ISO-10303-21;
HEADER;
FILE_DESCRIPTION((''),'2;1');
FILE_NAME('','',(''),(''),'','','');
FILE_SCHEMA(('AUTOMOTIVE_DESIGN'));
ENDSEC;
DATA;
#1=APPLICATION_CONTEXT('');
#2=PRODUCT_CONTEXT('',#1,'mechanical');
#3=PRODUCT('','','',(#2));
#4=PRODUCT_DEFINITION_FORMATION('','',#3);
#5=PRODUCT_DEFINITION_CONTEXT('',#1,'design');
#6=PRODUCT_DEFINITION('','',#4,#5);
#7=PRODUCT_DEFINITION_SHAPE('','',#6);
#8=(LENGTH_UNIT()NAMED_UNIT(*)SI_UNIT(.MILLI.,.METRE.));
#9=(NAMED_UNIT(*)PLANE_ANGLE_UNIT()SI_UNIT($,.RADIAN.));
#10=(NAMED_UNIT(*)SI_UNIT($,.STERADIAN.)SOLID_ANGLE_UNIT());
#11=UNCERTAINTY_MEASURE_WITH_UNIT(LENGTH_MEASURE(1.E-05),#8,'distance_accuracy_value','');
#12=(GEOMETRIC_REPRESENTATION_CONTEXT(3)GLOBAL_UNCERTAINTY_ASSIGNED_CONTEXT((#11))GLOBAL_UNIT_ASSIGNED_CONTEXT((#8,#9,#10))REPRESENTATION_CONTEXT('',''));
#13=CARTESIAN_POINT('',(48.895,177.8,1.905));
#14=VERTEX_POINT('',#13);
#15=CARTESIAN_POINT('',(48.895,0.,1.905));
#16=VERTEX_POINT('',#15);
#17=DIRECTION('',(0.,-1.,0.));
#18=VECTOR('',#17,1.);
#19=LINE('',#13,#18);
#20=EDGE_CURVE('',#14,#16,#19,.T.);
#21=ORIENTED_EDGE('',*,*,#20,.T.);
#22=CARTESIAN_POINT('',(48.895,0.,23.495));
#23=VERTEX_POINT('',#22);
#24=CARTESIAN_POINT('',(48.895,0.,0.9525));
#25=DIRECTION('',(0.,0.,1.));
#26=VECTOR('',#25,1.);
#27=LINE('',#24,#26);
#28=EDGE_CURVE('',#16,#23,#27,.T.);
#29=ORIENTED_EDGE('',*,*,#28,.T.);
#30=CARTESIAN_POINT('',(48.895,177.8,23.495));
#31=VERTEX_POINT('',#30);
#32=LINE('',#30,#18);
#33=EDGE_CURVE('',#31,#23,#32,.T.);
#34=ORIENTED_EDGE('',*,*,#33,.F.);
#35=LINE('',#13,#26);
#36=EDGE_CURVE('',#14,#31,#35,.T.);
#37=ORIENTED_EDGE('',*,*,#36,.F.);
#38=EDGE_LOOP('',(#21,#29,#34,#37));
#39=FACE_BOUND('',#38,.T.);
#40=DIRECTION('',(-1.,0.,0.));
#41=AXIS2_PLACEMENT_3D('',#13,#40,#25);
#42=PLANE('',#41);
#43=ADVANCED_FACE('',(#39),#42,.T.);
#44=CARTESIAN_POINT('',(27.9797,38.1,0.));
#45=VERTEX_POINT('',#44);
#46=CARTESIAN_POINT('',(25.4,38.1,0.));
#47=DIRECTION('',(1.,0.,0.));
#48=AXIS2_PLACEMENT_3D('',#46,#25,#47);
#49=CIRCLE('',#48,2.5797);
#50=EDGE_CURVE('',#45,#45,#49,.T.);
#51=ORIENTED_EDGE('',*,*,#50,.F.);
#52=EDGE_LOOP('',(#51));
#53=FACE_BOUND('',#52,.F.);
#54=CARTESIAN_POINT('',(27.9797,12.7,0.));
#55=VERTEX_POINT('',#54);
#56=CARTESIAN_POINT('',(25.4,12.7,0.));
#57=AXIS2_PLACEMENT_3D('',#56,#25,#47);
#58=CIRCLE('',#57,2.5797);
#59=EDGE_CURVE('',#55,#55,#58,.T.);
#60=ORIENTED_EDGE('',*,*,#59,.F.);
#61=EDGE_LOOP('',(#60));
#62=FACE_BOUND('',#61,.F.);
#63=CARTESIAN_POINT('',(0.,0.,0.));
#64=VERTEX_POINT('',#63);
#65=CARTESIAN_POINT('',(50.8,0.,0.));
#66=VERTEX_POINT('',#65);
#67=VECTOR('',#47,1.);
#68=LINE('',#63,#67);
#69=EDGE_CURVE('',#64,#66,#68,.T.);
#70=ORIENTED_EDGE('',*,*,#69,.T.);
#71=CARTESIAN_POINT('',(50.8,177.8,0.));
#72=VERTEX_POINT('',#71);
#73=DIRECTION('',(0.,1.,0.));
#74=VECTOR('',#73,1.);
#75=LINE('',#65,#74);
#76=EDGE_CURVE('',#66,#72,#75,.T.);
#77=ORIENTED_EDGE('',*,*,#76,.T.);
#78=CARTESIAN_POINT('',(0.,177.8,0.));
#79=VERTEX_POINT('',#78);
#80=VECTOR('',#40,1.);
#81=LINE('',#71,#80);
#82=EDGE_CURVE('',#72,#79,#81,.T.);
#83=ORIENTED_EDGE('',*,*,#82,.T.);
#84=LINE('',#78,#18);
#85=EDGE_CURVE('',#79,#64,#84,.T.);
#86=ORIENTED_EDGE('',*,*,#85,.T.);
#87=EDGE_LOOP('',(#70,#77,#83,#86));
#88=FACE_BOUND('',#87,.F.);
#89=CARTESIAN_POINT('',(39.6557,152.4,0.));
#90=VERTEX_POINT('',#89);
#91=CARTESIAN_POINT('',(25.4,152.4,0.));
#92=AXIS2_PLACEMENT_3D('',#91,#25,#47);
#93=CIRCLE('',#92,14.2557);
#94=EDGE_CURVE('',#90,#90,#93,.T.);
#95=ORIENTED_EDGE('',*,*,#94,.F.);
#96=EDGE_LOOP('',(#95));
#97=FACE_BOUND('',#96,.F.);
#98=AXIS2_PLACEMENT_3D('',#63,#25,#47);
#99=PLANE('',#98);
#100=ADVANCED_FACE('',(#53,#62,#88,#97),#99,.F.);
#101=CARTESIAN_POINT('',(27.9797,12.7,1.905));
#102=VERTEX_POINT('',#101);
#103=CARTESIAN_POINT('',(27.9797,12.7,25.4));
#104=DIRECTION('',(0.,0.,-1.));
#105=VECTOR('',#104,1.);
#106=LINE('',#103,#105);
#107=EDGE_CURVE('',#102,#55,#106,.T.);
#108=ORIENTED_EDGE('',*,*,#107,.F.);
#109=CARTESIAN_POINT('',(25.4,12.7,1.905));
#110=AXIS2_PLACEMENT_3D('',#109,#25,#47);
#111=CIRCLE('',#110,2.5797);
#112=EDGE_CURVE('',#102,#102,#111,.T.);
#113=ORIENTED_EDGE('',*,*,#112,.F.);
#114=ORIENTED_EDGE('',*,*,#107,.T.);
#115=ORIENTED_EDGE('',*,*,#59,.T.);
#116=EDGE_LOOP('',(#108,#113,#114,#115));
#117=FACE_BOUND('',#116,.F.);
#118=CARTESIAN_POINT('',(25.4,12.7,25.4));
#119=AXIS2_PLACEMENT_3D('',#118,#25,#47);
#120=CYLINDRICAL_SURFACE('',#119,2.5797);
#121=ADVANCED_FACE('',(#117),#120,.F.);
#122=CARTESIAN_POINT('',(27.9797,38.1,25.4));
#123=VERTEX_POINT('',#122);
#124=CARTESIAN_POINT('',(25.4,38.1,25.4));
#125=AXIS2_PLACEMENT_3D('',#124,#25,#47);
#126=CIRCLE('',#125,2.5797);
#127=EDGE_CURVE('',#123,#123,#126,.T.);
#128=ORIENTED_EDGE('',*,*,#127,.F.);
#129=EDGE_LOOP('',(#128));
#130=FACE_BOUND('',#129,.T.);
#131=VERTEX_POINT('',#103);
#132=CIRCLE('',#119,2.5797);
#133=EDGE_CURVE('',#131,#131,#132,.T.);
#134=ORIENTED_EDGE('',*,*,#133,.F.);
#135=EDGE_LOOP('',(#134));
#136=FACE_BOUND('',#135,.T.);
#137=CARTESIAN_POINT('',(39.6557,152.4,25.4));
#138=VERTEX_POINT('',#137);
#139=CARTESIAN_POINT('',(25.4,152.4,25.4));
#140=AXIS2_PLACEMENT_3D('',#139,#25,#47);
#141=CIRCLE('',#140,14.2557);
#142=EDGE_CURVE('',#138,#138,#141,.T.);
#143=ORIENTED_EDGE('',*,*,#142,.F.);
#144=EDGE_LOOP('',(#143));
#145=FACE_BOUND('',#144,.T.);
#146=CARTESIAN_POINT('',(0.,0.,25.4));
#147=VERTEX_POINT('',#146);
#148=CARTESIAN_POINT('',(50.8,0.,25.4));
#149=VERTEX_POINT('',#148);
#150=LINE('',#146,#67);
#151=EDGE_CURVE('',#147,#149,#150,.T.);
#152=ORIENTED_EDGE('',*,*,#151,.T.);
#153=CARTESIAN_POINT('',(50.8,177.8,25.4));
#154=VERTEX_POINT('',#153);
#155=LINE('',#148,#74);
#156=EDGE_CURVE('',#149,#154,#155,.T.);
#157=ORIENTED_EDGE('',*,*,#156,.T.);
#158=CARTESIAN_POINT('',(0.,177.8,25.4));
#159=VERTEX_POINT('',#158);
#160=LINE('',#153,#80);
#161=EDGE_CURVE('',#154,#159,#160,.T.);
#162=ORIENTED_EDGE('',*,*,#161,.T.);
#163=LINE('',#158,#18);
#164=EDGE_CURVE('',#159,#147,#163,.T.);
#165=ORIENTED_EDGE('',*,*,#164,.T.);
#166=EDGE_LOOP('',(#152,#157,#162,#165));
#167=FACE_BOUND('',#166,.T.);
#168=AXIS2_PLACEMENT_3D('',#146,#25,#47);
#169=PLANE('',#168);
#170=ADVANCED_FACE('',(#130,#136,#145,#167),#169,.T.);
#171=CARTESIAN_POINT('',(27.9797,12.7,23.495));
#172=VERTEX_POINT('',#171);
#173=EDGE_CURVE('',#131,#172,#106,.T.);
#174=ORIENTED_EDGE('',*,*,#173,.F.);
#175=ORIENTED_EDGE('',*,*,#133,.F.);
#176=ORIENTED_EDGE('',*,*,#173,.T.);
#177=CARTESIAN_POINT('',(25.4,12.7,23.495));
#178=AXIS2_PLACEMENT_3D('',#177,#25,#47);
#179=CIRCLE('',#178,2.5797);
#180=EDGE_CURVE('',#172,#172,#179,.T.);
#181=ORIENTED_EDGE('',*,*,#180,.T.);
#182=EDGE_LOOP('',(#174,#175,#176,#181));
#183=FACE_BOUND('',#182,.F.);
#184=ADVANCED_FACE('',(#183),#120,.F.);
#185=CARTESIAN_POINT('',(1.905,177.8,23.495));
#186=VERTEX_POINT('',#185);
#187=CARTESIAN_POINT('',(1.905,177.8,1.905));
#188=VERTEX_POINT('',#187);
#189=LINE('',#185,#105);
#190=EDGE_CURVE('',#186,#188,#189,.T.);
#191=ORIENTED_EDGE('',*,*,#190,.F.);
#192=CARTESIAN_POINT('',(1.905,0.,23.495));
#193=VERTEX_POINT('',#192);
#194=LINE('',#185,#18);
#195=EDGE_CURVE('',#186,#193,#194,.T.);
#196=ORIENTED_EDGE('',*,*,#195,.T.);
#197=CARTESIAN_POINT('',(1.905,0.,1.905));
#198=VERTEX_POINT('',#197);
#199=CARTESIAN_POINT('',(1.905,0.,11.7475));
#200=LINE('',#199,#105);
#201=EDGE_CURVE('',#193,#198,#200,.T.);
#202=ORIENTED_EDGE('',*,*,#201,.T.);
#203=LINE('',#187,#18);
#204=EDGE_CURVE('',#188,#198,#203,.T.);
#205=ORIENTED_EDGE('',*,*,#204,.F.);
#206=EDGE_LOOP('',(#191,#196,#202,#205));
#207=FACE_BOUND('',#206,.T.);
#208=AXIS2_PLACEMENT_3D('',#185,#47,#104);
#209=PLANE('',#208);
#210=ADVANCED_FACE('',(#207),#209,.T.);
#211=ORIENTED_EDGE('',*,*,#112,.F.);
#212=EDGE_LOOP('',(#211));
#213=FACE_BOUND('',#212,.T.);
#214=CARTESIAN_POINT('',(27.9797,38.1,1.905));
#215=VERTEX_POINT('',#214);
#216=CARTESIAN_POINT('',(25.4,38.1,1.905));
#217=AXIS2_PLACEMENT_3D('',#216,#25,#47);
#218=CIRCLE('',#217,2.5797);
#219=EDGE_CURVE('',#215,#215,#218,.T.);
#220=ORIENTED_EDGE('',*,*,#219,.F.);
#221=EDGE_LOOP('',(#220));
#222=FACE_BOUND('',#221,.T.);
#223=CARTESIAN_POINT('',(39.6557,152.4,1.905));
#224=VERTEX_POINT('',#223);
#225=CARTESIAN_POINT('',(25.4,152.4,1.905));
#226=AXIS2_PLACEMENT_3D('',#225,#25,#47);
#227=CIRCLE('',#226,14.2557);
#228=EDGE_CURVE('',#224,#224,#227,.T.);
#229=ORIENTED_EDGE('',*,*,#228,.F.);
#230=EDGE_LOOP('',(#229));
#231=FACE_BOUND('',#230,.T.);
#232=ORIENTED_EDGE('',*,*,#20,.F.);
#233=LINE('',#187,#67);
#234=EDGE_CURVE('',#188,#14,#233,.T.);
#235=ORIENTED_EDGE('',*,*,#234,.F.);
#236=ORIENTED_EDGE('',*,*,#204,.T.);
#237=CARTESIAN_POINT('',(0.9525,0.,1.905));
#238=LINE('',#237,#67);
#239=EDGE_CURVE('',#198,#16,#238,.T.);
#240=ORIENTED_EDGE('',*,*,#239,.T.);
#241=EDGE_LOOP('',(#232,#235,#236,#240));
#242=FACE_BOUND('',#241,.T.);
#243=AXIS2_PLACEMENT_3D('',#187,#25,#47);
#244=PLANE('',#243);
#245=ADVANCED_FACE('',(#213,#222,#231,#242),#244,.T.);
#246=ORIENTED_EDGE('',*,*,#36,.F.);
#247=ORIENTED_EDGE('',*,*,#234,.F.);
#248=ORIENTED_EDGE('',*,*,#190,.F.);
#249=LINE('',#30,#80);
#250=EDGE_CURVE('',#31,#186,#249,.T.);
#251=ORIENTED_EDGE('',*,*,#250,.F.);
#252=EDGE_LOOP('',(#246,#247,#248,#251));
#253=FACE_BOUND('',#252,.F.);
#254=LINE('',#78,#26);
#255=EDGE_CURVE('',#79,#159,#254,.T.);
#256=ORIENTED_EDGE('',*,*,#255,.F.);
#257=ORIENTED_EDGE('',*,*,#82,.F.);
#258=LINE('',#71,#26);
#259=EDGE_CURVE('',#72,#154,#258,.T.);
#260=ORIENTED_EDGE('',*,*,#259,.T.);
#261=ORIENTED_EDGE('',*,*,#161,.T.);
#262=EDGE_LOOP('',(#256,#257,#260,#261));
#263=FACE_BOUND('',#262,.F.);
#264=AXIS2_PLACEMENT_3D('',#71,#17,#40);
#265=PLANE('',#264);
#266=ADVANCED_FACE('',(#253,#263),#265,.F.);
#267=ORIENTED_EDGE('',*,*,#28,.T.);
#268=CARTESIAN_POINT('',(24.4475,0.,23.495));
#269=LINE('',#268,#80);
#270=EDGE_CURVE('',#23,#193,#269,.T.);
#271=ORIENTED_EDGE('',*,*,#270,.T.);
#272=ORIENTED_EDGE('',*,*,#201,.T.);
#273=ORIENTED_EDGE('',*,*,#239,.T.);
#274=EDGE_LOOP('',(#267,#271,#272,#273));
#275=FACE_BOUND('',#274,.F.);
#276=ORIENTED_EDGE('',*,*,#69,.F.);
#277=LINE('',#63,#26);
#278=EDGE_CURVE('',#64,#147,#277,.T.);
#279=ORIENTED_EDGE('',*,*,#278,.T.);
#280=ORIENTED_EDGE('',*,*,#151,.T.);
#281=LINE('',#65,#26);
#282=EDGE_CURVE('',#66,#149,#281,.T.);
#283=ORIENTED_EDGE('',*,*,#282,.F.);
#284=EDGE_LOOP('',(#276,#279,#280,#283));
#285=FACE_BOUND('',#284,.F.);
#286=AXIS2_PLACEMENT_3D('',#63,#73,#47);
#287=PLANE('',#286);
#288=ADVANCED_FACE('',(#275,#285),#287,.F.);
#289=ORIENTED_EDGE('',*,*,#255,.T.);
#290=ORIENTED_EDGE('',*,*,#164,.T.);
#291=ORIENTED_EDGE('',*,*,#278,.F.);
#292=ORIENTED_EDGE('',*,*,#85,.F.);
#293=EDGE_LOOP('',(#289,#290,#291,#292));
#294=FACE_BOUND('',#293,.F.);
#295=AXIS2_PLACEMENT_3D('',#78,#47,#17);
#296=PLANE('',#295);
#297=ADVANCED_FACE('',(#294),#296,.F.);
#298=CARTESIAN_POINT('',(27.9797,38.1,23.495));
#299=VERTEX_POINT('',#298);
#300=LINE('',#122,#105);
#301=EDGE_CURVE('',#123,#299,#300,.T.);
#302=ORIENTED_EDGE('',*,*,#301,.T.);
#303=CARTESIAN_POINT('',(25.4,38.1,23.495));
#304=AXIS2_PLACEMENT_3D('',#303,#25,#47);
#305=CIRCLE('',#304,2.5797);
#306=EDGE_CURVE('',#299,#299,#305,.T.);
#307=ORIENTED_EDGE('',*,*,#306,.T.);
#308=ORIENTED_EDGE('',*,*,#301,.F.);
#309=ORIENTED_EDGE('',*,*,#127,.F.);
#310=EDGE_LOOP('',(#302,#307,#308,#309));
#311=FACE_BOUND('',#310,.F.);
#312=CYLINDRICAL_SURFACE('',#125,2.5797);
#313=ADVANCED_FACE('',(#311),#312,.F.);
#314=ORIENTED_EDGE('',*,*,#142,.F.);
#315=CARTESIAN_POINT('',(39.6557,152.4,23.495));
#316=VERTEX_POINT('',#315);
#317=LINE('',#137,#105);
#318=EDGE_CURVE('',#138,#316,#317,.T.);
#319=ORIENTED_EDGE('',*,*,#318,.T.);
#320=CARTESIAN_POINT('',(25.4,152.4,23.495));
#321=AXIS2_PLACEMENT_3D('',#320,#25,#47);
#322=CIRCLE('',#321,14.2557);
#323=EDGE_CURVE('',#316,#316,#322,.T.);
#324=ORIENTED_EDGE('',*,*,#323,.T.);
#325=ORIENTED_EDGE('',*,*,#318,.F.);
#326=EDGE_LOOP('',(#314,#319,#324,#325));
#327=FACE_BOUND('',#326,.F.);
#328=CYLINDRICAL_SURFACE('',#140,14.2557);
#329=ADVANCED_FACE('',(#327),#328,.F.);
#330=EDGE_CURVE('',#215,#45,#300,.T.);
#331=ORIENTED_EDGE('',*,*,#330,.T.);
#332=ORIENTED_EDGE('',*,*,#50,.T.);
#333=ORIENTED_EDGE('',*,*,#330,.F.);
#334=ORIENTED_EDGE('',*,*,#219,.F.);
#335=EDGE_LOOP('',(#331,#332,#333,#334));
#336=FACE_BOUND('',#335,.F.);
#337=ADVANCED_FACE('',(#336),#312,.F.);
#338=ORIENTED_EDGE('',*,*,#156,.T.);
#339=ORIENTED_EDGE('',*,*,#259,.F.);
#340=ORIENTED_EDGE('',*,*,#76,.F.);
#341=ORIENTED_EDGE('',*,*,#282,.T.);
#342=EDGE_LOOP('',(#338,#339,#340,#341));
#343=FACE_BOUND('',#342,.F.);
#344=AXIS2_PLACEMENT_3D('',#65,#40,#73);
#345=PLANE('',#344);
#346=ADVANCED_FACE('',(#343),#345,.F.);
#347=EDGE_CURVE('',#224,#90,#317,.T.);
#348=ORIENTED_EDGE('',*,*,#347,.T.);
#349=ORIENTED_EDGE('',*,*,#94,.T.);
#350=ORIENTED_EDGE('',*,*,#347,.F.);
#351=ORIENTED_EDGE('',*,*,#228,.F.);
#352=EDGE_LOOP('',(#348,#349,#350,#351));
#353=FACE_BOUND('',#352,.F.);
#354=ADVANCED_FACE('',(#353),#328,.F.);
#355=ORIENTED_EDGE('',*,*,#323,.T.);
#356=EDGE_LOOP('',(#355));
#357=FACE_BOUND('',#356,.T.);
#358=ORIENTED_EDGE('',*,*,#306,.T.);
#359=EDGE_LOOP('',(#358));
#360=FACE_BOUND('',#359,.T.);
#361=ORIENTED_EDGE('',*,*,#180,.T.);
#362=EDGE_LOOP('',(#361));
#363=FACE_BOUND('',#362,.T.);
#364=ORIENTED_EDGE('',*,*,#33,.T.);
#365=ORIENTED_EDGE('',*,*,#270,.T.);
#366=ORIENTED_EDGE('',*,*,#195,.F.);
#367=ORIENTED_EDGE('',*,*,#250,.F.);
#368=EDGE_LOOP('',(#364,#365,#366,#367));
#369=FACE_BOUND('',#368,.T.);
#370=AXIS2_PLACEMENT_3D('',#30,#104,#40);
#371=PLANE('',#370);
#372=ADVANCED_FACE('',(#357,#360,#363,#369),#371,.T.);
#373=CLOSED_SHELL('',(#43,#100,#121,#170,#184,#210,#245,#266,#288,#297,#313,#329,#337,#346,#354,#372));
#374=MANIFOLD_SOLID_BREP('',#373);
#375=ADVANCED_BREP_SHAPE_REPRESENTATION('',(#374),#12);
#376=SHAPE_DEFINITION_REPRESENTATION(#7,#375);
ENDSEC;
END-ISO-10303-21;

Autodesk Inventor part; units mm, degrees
ref_plane "YZ Plane" through (0, 0, 0) normal (1, 0, 0) x (0, 1, 0)
ref_plane "XZ Plane" through (0, 0, 0) normal (0, 1, 0) x (-1, 0, 0)
ref_plane "XY Plane" through (0, 0, 0) normal (0, 0, 1) x (1, 0, 0)
sketch "Sketch1" plane through (0, 0, 0) normal (0, 0, 1) x (1, 0, 0)
  line L0 (0, 0) -> (50.8, 0)
  line L1 (50.8, 0) -> (50.8, 177.8)
  line L2 (50.8, 177.8) -> (0, 177.8)
  line L3 (0, 177.8) -> (0, 0)
  dimension "d0" = 50.8
  dimension "d1" = 177.8
extrude "Extrusion1" add sketch "Sketch1" along normal blind 25.4
sketch "Sketch2" plane through (0, 177.8, 0) normal (0, 1, 0) x (1, 0, 0)
  line L0 (0, 0) -> (0, -25.4) projected
  line L1 (50.8, -25.4) -> (0, -25.4) projected
  line L2 (50.8, 0) -> (50.8, -25.4) projected
  line L3 (50.8, 0) -> (0, 0) projected
  line L4 (48.895, -23.495) -> (1.905, -23.495)
  line L5 (1.905, -23.495) -> (1.905, -1.905)
  line L6 (1.905, -1.905) -> (48.895, -1.905)
  line L7 (48.895, -1.905) -> (48.895, -23.495)
  dimension "d4" = 1.905
extrude "Extrusion2" cut sketch "Sketch2" against normal blind 508 contours L4 L5 L6 L7
sketch "Sketch3" plane through (0, 0, 25.4) normal (0, 0, 1) x (1, 0, 0)
  line L0 (1.905, 0) -> (48.895, 0) construction
  line L1 (25.4, 0) -> (25.4, 12.7) construction
  line L2 (25.4, 12.7) -> (25.4, 38.1) construction
  line L3 (48.895, 177.8) -> (1.905, 177.8) construction
  line L4 (25.4, 177.8) -> (25.4, 152.4) construction
  circle A0 centre (25.4, 152.4) radius 14.2557
  circle A1 centre (25.4, 12.7) radius 2.5797
  circle A2 centre (25.4, 38.1) radius 2.5797
  point P0 (0, 0)
  dimension "d7" = 12.7
  dimension "d8" = 25.4
  dimension "d9" = 25.4
  dimension "d10" = 28.5115
  dimension "d11" = 5.1594
  dimension "d12" = 5.1594
extrude "Extrusion3" cut sketch "Sketch3" against normal blind 508
properties part number "vertical leg"
